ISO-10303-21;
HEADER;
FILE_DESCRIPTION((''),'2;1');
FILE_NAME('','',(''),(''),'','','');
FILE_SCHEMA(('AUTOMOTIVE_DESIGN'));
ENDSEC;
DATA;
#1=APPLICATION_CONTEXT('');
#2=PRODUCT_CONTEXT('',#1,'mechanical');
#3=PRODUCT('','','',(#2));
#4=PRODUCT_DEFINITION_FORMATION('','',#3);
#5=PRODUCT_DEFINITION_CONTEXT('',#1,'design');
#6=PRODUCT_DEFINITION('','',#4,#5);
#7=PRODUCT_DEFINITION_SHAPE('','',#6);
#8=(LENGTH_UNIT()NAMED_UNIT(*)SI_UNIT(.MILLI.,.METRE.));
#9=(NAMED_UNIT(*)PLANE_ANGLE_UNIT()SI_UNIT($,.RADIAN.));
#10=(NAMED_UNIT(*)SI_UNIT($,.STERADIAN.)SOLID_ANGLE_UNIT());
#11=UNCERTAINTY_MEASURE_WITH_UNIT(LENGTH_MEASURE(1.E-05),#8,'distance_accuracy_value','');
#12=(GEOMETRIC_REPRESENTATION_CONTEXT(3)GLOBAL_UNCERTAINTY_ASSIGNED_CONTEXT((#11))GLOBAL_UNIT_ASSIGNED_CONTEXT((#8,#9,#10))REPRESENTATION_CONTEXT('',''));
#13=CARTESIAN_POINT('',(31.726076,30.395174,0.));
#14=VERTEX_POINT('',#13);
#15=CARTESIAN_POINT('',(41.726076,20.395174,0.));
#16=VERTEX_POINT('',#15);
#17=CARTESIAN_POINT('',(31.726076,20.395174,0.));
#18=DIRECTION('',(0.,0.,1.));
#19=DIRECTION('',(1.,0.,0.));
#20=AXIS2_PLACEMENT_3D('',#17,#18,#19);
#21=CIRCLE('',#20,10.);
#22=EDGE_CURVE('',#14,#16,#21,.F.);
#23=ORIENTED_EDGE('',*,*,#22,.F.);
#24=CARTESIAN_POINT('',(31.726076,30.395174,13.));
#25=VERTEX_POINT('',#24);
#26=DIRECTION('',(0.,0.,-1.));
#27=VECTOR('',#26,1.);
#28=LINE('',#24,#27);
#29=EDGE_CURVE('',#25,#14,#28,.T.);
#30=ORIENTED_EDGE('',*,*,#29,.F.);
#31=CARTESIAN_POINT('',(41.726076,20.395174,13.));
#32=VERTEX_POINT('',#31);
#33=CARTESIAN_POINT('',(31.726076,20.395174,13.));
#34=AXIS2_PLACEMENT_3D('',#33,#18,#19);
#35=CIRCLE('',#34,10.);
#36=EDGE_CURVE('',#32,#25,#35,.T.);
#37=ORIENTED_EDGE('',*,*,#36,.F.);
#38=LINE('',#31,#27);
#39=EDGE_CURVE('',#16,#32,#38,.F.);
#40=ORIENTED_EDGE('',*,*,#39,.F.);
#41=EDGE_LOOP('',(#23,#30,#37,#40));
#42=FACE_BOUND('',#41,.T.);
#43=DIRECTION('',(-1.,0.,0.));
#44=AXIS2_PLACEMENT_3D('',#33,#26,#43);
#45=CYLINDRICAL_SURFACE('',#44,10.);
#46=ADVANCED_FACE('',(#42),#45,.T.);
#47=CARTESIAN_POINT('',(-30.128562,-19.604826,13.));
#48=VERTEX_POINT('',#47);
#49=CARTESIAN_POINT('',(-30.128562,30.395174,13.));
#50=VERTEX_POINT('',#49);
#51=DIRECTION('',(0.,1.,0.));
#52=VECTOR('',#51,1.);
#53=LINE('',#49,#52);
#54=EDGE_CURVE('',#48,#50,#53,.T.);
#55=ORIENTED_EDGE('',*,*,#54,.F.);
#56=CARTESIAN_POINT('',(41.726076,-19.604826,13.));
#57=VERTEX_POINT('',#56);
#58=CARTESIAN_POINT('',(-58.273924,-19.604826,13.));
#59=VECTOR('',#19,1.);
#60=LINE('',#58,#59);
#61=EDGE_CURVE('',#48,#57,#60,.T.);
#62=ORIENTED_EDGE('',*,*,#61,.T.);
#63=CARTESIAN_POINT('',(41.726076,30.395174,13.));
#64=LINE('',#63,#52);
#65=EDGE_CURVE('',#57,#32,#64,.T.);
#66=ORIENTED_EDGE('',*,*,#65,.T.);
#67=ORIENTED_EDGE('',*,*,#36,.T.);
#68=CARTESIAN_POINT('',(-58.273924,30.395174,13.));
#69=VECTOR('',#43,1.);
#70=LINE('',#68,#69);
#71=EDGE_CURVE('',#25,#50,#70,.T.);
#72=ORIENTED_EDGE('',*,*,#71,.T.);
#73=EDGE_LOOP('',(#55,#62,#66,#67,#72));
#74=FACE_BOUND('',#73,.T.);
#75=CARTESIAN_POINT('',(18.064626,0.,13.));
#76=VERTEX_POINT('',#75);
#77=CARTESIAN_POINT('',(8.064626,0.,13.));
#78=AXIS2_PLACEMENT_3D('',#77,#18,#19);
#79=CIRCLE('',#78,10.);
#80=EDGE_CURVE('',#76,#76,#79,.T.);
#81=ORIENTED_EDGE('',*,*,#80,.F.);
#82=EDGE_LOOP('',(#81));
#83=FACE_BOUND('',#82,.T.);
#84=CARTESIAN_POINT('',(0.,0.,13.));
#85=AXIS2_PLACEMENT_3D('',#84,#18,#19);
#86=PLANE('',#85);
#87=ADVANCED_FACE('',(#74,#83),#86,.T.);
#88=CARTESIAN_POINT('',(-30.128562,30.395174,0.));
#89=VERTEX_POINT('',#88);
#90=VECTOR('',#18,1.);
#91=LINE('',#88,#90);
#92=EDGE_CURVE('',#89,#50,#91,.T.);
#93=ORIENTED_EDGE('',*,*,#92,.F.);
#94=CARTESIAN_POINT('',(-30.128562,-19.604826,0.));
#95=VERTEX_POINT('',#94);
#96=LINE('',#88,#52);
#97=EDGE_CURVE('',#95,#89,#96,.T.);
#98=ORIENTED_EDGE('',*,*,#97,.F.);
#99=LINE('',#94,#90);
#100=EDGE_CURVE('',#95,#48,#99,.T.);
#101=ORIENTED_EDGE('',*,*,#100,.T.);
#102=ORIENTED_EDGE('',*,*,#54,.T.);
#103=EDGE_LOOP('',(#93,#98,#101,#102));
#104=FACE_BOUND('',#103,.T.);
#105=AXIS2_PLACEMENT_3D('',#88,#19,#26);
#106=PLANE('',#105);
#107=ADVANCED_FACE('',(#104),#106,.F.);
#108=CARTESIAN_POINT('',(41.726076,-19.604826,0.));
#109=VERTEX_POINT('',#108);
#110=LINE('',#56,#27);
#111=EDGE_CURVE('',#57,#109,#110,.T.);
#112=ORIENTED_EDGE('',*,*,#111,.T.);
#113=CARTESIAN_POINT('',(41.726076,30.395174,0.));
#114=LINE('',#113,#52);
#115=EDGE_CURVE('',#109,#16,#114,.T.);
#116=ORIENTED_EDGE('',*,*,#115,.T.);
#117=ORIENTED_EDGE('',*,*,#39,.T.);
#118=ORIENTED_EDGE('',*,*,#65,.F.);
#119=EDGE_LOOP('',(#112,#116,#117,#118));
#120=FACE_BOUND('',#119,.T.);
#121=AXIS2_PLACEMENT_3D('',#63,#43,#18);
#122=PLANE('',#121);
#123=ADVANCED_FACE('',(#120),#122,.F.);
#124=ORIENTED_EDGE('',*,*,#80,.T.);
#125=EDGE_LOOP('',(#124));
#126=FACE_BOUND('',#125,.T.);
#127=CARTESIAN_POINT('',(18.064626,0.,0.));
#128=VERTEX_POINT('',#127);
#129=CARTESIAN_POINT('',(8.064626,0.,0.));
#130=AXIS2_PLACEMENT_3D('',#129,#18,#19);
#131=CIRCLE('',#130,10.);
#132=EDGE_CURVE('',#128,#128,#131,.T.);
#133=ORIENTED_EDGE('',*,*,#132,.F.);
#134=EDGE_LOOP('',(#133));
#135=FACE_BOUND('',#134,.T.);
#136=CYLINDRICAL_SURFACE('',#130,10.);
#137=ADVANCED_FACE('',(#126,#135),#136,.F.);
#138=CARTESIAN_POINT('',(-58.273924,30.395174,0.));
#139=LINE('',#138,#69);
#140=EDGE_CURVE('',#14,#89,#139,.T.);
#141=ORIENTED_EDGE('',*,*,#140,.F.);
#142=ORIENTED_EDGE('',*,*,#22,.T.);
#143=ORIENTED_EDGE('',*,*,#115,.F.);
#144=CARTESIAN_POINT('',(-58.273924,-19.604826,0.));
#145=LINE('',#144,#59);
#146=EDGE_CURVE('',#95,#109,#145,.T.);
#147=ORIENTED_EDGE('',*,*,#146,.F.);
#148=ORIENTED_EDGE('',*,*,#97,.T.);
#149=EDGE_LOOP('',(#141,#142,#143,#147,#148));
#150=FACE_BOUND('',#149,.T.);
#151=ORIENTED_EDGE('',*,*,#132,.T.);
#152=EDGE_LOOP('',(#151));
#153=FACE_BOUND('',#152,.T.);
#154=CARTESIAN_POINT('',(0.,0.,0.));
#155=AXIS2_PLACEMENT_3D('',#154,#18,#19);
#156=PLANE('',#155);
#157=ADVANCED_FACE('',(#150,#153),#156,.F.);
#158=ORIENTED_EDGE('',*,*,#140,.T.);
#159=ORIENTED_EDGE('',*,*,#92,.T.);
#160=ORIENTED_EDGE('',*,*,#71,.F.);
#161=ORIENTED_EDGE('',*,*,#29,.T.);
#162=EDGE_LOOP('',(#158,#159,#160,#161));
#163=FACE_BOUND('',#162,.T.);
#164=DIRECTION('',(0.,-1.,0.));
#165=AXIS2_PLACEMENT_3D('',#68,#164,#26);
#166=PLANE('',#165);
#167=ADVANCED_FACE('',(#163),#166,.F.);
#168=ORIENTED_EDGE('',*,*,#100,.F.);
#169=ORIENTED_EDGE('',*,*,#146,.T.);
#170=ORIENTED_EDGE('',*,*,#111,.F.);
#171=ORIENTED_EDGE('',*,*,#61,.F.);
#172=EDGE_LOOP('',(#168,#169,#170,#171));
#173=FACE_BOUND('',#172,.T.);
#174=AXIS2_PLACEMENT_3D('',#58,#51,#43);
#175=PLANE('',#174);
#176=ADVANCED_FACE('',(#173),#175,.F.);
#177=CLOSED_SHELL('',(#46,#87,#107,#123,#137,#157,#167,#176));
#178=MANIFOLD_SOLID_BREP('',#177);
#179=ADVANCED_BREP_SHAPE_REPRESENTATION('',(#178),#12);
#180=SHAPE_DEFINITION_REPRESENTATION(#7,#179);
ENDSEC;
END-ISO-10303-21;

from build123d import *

# Parameters (mm, degrees)
SKETCH_2_W          = 100
SKETCH_2_H          = 50
EXTRUDE_1_DEPTH     = 13
FILLET_1_R          = 10
SKETCH_3_R          = 10
CUT_EXTRUDE_1_DEPTH = 13
SKETCH_4_W          = 28.145361764
SKETCH_4_H          = 50
CUT_EXTRUDE_2_DEPTH = 13


with BuildPart() as part:
    # 草图2 → 凸台-拉伸1 (new body)
    with BuildSketch(Plane.XY):
        with Locations((-8.273923568, 5.39517388)):
            Rectangle(SKETCH_2_W, SKETCH_2_H)
    extrude(amount=EXTRUDE_1_DEPTH)

    # 圆角1
    fillet_1_edges = [part.edges().sort_by_distance(p)[0] for p in [
        (41.726076432, 30.39517388, 6.5),
    ]]
    fillet(fillet_1_edges, radius=FILLET_1_R)

    # 草图3 → 切除-拉伸1 (cut)
    with BuildSketch(Plane.XY.offset(13)):
        with Locations((8.064626437, 0)):
            Circle(SKETCH_3_R)
    extrude(amount=-CUT_EXTRUDE_1_DEPTH, mode=Mode.SUBTRACT)

    # 草图4 → 切除-拉伸2 (cut)
    with BuildSketch(Plane.XY.offset(13)):
        with Locations((-44.201242686, 5.39517388)):
            Rectangle(SKETCH_4_W, SKETCH_4_H)
    extrude(amount=-CUT_EXTRUDE_2_DEPTH, mode=Mode.SUBTRACT)


solid = part.part
